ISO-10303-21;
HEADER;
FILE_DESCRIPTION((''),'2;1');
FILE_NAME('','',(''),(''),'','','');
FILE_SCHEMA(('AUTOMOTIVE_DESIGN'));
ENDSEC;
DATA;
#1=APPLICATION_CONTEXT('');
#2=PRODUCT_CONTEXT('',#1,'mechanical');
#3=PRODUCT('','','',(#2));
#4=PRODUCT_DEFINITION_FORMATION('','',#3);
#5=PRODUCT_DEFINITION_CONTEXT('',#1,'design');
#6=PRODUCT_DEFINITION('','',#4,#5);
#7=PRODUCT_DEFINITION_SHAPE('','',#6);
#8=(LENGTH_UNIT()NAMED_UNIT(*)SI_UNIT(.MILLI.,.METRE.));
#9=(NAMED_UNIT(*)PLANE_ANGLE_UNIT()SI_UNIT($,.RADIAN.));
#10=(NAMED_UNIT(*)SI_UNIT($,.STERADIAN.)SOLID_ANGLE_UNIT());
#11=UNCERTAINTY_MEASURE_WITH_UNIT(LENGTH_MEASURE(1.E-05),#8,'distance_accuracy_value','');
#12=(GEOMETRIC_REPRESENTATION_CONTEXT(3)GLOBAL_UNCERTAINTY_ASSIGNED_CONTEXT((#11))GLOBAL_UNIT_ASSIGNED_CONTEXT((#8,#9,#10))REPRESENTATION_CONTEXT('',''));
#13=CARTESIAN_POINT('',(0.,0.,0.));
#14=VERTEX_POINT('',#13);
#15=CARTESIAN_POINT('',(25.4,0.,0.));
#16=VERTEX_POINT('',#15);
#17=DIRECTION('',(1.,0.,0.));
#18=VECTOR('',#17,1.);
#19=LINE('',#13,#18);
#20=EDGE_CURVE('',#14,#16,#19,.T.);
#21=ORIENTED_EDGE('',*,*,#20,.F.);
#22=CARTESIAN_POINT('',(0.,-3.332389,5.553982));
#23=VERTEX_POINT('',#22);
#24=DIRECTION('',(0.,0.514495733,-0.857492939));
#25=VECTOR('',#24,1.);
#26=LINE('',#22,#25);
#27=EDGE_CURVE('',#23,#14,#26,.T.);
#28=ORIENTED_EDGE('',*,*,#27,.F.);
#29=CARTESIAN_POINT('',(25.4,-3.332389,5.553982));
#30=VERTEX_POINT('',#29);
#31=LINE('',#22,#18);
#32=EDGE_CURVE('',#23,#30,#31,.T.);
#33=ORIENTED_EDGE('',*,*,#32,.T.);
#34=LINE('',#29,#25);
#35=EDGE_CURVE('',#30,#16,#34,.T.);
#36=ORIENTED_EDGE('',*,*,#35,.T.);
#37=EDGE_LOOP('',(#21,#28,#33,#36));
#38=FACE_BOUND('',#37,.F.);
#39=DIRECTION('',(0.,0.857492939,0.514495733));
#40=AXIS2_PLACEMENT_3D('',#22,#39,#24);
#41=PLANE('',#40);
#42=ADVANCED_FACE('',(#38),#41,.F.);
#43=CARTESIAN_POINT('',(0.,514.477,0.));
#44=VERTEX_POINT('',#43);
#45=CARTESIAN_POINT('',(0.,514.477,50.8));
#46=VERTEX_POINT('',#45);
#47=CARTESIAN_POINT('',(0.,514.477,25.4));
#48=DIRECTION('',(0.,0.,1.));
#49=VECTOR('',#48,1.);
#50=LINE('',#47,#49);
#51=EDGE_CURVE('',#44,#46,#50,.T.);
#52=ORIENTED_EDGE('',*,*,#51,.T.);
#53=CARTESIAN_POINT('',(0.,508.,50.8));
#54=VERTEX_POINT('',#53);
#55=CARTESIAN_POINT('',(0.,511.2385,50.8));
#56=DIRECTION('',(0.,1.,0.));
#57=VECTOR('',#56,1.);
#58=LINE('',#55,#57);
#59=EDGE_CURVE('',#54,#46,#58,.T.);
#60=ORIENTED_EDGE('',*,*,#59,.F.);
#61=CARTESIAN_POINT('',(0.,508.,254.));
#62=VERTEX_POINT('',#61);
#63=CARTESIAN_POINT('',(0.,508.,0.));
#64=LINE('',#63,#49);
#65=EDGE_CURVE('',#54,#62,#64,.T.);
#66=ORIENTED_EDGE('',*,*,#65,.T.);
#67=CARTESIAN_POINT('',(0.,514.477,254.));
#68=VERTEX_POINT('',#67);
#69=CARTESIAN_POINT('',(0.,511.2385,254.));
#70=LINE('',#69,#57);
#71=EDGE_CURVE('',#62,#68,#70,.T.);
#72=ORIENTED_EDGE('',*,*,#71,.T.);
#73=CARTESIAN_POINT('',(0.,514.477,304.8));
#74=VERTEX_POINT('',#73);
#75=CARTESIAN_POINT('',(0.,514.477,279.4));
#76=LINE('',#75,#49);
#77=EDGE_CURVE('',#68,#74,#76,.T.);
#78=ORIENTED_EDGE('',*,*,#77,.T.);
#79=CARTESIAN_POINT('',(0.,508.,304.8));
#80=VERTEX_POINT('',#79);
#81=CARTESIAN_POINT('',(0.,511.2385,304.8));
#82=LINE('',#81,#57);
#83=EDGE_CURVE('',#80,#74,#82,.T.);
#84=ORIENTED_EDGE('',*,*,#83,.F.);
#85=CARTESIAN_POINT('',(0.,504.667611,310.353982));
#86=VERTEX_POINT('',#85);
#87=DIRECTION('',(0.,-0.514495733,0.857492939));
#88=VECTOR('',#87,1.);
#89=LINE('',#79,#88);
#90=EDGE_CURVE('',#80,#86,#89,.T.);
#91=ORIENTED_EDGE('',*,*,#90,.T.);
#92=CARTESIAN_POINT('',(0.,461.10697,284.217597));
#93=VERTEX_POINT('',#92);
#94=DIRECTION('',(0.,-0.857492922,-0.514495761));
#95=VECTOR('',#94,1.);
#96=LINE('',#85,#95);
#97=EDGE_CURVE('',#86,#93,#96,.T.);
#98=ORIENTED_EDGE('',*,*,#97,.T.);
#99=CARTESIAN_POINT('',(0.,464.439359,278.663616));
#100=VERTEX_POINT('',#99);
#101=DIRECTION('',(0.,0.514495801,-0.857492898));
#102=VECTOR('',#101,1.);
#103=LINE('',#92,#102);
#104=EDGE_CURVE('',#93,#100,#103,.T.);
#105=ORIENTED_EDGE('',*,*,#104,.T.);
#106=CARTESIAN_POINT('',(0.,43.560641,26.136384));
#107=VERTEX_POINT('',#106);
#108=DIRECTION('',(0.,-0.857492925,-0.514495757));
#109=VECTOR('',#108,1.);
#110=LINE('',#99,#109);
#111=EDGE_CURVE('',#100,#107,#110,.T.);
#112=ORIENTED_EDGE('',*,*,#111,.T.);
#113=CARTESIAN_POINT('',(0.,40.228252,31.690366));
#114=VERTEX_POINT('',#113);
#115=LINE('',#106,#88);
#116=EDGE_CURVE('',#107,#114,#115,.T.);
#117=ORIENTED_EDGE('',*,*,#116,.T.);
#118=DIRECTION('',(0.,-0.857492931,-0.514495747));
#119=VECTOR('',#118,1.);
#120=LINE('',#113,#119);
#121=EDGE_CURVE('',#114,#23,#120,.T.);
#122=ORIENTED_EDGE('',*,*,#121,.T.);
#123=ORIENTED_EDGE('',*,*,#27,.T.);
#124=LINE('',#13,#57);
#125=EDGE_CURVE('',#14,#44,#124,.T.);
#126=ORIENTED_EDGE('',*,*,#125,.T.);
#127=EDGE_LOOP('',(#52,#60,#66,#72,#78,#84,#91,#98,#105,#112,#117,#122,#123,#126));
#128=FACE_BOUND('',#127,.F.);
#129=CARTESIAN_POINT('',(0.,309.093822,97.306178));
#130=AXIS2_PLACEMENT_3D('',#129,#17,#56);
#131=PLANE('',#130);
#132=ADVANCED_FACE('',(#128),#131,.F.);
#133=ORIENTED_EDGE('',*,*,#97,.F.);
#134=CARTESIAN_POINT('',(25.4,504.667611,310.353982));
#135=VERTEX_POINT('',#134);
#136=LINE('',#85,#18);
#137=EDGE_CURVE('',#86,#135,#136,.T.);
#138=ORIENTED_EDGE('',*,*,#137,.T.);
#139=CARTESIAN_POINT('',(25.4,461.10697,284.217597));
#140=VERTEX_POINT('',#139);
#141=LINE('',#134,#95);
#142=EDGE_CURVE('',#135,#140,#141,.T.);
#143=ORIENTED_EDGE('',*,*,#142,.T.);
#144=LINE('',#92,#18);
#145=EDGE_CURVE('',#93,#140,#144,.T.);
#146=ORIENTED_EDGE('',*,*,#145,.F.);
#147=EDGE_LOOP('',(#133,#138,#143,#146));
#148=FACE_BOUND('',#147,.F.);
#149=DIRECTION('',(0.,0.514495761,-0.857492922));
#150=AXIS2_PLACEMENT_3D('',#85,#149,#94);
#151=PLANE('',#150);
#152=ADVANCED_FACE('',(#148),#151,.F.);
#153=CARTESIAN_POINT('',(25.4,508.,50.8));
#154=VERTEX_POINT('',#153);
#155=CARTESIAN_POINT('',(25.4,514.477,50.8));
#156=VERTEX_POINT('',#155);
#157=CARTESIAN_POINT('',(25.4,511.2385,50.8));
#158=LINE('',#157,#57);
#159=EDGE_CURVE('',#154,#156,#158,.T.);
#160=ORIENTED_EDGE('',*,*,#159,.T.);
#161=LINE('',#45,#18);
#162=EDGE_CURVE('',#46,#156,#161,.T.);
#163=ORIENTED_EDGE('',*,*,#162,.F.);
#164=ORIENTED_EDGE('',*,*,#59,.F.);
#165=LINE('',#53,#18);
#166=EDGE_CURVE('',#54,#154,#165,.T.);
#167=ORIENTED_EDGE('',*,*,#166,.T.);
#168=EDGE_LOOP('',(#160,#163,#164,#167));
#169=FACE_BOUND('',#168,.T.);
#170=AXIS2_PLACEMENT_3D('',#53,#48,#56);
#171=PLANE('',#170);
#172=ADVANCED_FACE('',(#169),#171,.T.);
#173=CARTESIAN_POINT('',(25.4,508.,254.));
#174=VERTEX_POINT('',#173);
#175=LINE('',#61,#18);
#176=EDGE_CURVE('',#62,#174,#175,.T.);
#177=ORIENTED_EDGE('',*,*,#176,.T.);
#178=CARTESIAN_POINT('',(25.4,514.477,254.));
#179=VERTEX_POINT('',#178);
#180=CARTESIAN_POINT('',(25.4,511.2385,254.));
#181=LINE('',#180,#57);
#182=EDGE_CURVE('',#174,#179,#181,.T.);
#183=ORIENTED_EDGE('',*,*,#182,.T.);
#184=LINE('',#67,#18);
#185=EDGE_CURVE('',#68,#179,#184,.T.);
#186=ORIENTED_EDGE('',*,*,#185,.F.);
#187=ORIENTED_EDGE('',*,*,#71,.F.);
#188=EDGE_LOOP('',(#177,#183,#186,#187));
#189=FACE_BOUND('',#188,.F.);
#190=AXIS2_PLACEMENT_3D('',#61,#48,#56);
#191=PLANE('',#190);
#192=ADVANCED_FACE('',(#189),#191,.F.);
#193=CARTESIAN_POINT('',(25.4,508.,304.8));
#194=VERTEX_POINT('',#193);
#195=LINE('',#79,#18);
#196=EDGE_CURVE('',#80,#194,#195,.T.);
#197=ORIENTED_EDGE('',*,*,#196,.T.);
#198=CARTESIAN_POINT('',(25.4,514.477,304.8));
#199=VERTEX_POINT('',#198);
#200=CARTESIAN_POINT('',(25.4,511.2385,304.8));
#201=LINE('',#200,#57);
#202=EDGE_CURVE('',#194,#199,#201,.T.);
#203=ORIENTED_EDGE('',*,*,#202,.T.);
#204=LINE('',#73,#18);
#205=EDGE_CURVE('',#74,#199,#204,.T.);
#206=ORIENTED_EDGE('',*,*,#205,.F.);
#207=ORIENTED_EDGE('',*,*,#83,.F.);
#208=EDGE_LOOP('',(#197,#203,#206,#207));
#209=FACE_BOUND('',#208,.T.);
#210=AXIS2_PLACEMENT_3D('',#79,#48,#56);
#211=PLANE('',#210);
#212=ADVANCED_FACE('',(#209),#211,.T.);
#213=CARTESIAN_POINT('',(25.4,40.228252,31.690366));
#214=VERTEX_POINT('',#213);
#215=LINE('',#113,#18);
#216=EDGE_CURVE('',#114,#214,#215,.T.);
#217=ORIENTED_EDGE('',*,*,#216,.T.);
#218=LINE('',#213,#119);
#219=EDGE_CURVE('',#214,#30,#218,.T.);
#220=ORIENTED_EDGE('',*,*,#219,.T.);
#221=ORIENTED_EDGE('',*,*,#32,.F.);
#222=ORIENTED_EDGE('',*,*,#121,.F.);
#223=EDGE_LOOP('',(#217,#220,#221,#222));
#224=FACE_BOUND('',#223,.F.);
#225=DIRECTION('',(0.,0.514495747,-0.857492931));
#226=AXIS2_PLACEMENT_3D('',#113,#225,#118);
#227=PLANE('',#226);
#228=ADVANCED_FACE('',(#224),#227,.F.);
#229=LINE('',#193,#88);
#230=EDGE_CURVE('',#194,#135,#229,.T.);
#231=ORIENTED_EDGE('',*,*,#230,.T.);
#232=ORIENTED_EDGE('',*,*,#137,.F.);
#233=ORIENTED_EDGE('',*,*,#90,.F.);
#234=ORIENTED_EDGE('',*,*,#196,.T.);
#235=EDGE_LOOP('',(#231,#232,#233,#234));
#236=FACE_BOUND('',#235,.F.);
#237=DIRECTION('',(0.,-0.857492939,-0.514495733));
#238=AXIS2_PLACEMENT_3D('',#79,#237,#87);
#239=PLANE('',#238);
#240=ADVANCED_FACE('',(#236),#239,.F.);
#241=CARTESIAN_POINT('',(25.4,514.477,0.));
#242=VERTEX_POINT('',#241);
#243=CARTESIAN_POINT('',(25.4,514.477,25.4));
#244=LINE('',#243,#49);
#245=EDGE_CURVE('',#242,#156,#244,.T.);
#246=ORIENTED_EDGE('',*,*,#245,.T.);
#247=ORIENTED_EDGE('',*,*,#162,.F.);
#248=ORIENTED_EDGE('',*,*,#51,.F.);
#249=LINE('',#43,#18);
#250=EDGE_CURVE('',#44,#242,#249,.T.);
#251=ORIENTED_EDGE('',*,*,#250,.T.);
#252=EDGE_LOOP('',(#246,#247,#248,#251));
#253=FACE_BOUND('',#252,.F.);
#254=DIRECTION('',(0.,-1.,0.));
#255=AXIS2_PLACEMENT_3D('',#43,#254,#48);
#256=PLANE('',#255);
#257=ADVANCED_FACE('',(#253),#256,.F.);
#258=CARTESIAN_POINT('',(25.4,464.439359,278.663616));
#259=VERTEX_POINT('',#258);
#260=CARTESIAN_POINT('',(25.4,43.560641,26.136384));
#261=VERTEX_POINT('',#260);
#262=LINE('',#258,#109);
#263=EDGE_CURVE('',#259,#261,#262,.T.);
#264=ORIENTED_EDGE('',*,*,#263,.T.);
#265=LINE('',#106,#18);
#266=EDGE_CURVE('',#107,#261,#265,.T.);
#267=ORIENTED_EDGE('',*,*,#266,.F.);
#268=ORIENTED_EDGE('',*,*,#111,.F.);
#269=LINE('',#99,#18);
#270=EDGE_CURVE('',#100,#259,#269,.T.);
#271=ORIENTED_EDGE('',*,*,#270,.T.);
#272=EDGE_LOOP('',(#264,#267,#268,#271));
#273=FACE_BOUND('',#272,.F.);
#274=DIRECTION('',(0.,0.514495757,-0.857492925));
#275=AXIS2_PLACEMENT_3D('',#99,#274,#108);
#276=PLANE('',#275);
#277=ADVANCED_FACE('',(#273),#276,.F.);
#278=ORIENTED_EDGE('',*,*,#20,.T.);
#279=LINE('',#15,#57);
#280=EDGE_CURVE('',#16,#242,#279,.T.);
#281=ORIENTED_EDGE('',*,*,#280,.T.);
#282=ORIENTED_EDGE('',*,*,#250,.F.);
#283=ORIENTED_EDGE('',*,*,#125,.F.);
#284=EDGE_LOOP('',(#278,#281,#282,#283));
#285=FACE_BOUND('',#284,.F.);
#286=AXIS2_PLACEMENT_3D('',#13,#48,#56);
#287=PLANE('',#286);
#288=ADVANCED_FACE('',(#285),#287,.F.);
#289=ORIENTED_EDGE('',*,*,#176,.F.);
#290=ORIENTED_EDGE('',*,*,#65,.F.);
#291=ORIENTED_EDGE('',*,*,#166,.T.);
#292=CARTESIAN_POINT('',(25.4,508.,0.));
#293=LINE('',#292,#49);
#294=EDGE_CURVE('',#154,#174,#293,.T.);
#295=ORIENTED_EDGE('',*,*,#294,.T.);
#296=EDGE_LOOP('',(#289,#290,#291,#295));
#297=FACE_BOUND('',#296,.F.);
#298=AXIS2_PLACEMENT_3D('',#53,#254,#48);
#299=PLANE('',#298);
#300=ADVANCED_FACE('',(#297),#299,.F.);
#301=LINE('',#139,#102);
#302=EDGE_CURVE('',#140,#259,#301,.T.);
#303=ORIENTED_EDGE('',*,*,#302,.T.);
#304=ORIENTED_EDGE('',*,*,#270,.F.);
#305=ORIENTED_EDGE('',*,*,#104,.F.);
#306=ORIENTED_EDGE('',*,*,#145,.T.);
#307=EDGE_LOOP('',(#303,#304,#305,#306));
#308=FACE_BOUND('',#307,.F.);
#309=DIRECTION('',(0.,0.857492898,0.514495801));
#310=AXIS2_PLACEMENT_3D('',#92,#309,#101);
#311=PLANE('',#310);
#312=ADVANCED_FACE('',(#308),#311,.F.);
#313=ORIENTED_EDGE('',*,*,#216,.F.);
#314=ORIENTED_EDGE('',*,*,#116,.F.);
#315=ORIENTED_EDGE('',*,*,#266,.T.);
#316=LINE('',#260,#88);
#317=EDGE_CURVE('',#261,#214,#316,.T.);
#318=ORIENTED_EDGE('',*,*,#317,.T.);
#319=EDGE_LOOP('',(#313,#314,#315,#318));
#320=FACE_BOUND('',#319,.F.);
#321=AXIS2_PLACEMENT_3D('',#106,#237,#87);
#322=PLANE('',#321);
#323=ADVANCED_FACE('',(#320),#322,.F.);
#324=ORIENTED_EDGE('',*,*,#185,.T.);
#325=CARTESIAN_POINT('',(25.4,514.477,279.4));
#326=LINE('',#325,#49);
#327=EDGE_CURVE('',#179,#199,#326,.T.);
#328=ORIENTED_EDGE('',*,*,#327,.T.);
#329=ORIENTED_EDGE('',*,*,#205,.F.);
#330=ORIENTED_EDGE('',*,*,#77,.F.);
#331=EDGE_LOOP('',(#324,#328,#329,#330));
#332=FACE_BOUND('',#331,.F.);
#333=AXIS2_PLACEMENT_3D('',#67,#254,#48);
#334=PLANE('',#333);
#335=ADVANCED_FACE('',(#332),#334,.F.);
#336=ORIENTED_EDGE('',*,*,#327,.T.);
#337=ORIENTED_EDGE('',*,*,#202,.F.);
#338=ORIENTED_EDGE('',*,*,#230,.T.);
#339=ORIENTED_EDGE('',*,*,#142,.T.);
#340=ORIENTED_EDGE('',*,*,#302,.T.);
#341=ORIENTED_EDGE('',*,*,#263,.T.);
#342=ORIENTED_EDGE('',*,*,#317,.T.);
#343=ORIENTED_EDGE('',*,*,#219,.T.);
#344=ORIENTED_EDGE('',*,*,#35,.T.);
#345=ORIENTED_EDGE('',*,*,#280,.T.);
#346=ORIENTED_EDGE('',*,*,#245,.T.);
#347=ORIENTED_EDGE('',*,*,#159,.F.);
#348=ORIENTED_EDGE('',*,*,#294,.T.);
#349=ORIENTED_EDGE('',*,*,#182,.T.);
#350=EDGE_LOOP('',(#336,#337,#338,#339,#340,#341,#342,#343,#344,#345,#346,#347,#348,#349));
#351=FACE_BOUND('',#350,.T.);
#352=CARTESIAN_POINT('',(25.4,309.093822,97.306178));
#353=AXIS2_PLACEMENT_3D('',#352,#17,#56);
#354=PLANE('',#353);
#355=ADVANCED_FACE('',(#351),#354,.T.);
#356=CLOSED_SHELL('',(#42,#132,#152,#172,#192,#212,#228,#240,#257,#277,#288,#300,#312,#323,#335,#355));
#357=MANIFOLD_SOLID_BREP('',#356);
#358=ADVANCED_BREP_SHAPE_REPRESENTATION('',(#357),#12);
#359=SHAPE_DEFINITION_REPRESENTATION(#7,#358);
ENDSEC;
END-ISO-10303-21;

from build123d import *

# Parameters (mm, degrees)
F0_W     = 6.477
F0_H     = 50.8
F1_DEPTH = 25.4


with BuildPart() as f1:
    # F0 (on Right) → F1 (new body)
    with BuildSketch(Plane.YZ):
        Polygon((43.560641, 26.136384), (0, 0), (508, 0), (508, 50.8), (508, 254), (508, 304.8), (464.439359, 278.663616), align=None)
        Polygon((-3.332389, 5.553982), (0, 0), (43.560641, 26.136384), (40.228252, 31.690366), align=None)
        with Locations((511.2385, 25.4)):
            Rectangle(F0_W, F0_H)
        Polygon((461.10697, 284.217597), (464.439359, 278.663616), (508, 304.8), (504.667611, 310.353982), align=None)
        with Locations((511.2385, 279.4)):
            Rectangle(F0_W, F0_H)
    extrude(amount=F1_DEPTH)


solid = f1.part
